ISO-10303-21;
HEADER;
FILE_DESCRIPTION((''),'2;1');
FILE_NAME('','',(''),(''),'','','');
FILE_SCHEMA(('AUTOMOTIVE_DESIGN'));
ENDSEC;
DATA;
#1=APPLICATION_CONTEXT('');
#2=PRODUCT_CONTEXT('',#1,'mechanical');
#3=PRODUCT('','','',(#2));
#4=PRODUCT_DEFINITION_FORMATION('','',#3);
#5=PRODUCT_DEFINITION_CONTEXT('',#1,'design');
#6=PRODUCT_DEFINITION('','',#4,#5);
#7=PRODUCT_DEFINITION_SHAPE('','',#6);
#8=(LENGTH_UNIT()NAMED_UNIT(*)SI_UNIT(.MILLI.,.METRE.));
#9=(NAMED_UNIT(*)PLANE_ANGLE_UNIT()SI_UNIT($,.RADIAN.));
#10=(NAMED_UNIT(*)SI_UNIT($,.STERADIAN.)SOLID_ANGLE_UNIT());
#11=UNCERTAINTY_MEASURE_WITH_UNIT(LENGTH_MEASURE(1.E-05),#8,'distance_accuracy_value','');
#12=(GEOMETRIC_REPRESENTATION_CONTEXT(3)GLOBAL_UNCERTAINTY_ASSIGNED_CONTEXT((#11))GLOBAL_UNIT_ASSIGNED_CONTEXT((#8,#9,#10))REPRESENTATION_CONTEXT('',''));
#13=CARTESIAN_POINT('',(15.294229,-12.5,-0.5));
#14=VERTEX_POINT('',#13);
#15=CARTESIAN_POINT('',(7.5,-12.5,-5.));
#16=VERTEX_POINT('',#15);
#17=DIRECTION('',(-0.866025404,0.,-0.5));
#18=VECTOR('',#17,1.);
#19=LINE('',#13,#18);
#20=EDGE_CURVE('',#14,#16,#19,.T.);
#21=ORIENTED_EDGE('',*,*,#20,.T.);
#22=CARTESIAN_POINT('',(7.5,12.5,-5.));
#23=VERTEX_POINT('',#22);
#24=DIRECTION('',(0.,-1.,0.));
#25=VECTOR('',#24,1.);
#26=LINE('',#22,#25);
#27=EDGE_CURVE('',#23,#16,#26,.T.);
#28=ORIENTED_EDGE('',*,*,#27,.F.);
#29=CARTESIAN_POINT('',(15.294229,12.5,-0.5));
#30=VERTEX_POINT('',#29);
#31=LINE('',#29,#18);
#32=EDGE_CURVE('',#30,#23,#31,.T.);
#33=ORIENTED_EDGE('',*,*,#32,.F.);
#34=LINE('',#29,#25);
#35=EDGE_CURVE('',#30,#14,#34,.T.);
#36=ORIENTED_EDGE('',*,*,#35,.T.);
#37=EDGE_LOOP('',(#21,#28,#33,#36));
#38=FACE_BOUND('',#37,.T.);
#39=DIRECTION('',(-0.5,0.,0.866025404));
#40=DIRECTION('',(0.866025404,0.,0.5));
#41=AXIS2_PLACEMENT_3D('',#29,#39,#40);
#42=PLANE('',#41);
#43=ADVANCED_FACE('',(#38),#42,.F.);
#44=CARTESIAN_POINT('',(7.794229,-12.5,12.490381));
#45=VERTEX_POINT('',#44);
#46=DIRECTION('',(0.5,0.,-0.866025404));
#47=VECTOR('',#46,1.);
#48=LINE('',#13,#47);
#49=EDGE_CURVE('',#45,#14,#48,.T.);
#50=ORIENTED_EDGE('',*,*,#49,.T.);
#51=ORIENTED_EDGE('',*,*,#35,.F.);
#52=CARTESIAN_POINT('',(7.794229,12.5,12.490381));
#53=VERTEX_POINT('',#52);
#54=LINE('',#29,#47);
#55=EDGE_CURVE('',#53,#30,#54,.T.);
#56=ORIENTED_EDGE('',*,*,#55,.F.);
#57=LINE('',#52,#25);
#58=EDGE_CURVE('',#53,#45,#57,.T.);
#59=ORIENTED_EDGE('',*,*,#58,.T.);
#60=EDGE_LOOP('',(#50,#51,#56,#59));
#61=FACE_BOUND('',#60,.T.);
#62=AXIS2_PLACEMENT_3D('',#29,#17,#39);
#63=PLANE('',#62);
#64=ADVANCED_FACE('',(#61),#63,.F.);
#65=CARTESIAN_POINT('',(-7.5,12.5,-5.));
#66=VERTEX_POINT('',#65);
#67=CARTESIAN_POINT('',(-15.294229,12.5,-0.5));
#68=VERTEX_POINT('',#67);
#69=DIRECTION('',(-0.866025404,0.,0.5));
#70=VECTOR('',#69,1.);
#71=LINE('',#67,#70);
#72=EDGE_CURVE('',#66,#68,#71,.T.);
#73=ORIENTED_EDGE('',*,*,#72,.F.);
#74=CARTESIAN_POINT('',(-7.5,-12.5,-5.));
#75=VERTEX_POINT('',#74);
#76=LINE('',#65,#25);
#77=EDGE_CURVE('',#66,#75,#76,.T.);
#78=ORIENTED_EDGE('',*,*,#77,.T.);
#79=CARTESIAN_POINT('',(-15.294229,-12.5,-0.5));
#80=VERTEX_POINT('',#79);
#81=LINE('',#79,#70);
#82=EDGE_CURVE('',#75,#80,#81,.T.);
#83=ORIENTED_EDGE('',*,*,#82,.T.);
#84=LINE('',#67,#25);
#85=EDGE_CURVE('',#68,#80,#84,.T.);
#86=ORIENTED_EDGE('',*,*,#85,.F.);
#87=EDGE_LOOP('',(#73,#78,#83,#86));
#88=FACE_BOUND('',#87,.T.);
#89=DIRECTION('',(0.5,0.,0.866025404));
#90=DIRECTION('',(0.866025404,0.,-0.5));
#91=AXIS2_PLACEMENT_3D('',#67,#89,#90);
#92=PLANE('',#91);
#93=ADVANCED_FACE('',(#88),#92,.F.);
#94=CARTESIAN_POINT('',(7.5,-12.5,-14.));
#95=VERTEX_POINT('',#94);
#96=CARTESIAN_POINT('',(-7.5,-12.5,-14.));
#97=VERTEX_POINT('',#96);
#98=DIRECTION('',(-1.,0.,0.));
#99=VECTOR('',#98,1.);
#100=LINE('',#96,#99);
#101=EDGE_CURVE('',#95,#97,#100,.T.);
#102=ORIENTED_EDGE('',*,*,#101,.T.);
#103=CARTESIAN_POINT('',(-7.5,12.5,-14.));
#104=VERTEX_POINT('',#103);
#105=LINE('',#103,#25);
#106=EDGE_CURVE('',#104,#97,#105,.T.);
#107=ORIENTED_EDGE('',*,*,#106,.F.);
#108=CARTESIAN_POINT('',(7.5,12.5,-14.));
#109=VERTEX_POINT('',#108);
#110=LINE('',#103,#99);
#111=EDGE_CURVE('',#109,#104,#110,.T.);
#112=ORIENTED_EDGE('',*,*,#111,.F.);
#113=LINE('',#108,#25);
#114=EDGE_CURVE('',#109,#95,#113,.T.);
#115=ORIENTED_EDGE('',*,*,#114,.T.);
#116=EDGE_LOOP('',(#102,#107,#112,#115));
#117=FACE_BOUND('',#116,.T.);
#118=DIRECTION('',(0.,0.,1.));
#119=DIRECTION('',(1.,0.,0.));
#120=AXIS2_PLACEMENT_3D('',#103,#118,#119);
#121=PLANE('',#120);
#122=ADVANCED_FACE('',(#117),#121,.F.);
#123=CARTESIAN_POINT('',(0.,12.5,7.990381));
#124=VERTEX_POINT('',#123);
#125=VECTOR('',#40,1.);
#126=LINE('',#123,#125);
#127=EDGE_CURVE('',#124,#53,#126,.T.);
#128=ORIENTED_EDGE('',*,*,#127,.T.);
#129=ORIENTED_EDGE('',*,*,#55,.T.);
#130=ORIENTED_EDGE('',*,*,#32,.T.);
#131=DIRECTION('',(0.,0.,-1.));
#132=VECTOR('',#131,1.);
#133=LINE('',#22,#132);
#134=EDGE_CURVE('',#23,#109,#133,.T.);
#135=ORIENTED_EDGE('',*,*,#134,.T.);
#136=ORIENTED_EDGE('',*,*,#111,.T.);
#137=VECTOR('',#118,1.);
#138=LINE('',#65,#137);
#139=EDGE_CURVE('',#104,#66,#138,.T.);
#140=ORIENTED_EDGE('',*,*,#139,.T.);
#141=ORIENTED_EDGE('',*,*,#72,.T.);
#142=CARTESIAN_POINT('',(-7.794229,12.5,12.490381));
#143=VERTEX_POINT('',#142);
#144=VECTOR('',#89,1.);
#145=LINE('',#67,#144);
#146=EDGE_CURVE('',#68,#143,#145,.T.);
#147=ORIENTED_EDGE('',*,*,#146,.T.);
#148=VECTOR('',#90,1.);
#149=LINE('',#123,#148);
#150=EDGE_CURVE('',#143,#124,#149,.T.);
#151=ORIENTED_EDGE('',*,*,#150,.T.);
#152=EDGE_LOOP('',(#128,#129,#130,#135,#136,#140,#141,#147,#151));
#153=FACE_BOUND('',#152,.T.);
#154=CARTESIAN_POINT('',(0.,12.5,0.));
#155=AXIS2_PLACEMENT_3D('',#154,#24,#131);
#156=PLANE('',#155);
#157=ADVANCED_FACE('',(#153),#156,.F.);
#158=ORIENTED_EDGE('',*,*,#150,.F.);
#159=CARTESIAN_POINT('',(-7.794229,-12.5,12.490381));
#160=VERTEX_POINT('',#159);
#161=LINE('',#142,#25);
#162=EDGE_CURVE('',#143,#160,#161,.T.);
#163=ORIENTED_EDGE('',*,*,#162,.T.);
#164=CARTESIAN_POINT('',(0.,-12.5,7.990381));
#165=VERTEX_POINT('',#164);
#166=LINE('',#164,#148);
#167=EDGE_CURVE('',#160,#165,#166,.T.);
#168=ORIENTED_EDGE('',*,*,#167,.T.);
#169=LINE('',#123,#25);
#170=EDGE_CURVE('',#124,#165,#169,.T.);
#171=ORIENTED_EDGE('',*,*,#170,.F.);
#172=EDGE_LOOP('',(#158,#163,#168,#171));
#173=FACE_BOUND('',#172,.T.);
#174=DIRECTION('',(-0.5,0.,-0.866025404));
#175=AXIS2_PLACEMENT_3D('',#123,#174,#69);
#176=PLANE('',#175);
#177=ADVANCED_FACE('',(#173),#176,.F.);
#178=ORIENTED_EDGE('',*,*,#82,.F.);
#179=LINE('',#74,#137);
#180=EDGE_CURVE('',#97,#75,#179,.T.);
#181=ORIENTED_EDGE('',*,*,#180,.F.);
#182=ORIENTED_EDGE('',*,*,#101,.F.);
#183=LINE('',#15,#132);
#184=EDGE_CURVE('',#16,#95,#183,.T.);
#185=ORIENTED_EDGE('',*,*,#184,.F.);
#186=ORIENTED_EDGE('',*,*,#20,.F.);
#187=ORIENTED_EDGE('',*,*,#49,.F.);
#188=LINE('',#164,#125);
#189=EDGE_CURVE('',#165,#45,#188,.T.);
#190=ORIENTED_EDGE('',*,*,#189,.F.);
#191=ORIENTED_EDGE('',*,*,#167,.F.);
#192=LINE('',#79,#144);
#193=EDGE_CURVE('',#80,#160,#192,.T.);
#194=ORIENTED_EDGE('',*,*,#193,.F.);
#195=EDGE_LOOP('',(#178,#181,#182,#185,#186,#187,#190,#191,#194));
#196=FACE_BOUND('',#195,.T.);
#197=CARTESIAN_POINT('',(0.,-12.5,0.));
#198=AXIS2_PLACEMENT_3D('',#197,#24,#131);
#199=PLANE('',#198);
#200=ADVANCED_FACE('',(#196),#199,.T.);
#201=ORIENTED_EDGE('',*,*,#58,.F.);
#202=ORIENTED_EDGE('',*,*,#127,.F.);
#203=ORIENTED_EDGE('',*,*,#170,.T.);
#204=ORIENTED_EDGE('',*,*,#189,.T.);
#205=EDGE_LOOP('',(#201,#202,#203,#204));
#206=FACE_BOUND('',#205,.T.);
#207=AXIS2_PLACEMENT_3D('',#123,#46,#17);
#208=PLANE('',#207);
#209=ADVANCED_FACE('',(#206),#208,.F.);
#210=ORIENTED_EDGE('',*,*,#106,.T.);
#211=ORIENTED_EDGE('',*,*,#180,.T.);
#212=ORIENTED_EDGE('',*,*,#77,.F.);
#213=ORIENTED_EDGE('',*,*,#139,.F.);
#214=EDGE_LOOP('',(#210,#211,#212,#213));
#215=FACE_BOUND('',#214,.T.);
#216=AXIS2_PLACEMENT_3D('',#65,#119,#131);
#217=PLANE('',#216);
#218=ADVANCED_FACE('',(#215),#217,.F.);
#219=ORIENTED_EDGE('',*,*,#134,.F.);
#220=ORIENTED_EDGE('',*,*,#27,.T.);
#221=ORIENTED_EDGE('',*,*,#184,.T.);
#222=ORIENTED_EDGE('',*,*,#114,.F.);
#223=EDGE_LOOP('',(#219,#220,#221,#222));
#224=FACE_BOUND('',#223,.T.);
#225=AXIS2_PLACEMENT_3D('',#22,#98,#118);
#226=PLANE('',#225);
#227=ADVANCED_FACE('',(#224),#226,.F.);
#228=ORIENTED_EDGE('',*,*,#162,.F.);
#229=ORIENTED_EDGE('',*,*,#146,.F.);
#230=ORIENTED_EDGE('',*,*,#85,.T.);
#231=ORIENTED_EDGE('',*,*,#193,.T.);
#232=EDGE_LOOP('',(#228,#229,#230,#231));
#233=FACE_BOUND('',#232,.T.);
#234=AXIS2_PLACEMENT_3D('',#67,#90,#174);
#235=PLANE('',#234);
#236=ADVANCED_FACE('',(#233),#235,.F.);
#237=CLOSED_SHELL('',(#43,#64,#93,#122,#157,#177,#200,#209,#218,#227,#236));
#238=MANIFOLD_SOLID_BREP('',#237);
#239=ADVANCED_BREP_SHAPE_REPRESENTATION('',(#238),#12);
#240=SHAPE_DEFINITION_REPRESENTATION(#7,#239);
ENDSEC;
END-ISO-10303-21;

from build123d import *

# Parameters (mm, degrees)
BOSS_EXTRUDE1_DEPTH = 12.5


with BuildPart() as part:
    # Sketch1 → Boss-Extrude1 (new, symmetric)
    with BuildSketch(Plane(origin=(0, 0, 0), x_dir=(1, 0, 0), z_dir=(0, 1, 0))):
        Polygon((15.294228634, 0.5), (7.5, 5), (7.5, 14), (-7.5, 14), (-7.5, 5), (-15.294228634, 0.5), (-7.794228634, -12.490381057), (0, -7.990381057), (7.794228634, -12.490381057), align=None)
    extrude(amount=BOSS_EXTRUDE1_DEPTH, both=True)


solid = part.part
